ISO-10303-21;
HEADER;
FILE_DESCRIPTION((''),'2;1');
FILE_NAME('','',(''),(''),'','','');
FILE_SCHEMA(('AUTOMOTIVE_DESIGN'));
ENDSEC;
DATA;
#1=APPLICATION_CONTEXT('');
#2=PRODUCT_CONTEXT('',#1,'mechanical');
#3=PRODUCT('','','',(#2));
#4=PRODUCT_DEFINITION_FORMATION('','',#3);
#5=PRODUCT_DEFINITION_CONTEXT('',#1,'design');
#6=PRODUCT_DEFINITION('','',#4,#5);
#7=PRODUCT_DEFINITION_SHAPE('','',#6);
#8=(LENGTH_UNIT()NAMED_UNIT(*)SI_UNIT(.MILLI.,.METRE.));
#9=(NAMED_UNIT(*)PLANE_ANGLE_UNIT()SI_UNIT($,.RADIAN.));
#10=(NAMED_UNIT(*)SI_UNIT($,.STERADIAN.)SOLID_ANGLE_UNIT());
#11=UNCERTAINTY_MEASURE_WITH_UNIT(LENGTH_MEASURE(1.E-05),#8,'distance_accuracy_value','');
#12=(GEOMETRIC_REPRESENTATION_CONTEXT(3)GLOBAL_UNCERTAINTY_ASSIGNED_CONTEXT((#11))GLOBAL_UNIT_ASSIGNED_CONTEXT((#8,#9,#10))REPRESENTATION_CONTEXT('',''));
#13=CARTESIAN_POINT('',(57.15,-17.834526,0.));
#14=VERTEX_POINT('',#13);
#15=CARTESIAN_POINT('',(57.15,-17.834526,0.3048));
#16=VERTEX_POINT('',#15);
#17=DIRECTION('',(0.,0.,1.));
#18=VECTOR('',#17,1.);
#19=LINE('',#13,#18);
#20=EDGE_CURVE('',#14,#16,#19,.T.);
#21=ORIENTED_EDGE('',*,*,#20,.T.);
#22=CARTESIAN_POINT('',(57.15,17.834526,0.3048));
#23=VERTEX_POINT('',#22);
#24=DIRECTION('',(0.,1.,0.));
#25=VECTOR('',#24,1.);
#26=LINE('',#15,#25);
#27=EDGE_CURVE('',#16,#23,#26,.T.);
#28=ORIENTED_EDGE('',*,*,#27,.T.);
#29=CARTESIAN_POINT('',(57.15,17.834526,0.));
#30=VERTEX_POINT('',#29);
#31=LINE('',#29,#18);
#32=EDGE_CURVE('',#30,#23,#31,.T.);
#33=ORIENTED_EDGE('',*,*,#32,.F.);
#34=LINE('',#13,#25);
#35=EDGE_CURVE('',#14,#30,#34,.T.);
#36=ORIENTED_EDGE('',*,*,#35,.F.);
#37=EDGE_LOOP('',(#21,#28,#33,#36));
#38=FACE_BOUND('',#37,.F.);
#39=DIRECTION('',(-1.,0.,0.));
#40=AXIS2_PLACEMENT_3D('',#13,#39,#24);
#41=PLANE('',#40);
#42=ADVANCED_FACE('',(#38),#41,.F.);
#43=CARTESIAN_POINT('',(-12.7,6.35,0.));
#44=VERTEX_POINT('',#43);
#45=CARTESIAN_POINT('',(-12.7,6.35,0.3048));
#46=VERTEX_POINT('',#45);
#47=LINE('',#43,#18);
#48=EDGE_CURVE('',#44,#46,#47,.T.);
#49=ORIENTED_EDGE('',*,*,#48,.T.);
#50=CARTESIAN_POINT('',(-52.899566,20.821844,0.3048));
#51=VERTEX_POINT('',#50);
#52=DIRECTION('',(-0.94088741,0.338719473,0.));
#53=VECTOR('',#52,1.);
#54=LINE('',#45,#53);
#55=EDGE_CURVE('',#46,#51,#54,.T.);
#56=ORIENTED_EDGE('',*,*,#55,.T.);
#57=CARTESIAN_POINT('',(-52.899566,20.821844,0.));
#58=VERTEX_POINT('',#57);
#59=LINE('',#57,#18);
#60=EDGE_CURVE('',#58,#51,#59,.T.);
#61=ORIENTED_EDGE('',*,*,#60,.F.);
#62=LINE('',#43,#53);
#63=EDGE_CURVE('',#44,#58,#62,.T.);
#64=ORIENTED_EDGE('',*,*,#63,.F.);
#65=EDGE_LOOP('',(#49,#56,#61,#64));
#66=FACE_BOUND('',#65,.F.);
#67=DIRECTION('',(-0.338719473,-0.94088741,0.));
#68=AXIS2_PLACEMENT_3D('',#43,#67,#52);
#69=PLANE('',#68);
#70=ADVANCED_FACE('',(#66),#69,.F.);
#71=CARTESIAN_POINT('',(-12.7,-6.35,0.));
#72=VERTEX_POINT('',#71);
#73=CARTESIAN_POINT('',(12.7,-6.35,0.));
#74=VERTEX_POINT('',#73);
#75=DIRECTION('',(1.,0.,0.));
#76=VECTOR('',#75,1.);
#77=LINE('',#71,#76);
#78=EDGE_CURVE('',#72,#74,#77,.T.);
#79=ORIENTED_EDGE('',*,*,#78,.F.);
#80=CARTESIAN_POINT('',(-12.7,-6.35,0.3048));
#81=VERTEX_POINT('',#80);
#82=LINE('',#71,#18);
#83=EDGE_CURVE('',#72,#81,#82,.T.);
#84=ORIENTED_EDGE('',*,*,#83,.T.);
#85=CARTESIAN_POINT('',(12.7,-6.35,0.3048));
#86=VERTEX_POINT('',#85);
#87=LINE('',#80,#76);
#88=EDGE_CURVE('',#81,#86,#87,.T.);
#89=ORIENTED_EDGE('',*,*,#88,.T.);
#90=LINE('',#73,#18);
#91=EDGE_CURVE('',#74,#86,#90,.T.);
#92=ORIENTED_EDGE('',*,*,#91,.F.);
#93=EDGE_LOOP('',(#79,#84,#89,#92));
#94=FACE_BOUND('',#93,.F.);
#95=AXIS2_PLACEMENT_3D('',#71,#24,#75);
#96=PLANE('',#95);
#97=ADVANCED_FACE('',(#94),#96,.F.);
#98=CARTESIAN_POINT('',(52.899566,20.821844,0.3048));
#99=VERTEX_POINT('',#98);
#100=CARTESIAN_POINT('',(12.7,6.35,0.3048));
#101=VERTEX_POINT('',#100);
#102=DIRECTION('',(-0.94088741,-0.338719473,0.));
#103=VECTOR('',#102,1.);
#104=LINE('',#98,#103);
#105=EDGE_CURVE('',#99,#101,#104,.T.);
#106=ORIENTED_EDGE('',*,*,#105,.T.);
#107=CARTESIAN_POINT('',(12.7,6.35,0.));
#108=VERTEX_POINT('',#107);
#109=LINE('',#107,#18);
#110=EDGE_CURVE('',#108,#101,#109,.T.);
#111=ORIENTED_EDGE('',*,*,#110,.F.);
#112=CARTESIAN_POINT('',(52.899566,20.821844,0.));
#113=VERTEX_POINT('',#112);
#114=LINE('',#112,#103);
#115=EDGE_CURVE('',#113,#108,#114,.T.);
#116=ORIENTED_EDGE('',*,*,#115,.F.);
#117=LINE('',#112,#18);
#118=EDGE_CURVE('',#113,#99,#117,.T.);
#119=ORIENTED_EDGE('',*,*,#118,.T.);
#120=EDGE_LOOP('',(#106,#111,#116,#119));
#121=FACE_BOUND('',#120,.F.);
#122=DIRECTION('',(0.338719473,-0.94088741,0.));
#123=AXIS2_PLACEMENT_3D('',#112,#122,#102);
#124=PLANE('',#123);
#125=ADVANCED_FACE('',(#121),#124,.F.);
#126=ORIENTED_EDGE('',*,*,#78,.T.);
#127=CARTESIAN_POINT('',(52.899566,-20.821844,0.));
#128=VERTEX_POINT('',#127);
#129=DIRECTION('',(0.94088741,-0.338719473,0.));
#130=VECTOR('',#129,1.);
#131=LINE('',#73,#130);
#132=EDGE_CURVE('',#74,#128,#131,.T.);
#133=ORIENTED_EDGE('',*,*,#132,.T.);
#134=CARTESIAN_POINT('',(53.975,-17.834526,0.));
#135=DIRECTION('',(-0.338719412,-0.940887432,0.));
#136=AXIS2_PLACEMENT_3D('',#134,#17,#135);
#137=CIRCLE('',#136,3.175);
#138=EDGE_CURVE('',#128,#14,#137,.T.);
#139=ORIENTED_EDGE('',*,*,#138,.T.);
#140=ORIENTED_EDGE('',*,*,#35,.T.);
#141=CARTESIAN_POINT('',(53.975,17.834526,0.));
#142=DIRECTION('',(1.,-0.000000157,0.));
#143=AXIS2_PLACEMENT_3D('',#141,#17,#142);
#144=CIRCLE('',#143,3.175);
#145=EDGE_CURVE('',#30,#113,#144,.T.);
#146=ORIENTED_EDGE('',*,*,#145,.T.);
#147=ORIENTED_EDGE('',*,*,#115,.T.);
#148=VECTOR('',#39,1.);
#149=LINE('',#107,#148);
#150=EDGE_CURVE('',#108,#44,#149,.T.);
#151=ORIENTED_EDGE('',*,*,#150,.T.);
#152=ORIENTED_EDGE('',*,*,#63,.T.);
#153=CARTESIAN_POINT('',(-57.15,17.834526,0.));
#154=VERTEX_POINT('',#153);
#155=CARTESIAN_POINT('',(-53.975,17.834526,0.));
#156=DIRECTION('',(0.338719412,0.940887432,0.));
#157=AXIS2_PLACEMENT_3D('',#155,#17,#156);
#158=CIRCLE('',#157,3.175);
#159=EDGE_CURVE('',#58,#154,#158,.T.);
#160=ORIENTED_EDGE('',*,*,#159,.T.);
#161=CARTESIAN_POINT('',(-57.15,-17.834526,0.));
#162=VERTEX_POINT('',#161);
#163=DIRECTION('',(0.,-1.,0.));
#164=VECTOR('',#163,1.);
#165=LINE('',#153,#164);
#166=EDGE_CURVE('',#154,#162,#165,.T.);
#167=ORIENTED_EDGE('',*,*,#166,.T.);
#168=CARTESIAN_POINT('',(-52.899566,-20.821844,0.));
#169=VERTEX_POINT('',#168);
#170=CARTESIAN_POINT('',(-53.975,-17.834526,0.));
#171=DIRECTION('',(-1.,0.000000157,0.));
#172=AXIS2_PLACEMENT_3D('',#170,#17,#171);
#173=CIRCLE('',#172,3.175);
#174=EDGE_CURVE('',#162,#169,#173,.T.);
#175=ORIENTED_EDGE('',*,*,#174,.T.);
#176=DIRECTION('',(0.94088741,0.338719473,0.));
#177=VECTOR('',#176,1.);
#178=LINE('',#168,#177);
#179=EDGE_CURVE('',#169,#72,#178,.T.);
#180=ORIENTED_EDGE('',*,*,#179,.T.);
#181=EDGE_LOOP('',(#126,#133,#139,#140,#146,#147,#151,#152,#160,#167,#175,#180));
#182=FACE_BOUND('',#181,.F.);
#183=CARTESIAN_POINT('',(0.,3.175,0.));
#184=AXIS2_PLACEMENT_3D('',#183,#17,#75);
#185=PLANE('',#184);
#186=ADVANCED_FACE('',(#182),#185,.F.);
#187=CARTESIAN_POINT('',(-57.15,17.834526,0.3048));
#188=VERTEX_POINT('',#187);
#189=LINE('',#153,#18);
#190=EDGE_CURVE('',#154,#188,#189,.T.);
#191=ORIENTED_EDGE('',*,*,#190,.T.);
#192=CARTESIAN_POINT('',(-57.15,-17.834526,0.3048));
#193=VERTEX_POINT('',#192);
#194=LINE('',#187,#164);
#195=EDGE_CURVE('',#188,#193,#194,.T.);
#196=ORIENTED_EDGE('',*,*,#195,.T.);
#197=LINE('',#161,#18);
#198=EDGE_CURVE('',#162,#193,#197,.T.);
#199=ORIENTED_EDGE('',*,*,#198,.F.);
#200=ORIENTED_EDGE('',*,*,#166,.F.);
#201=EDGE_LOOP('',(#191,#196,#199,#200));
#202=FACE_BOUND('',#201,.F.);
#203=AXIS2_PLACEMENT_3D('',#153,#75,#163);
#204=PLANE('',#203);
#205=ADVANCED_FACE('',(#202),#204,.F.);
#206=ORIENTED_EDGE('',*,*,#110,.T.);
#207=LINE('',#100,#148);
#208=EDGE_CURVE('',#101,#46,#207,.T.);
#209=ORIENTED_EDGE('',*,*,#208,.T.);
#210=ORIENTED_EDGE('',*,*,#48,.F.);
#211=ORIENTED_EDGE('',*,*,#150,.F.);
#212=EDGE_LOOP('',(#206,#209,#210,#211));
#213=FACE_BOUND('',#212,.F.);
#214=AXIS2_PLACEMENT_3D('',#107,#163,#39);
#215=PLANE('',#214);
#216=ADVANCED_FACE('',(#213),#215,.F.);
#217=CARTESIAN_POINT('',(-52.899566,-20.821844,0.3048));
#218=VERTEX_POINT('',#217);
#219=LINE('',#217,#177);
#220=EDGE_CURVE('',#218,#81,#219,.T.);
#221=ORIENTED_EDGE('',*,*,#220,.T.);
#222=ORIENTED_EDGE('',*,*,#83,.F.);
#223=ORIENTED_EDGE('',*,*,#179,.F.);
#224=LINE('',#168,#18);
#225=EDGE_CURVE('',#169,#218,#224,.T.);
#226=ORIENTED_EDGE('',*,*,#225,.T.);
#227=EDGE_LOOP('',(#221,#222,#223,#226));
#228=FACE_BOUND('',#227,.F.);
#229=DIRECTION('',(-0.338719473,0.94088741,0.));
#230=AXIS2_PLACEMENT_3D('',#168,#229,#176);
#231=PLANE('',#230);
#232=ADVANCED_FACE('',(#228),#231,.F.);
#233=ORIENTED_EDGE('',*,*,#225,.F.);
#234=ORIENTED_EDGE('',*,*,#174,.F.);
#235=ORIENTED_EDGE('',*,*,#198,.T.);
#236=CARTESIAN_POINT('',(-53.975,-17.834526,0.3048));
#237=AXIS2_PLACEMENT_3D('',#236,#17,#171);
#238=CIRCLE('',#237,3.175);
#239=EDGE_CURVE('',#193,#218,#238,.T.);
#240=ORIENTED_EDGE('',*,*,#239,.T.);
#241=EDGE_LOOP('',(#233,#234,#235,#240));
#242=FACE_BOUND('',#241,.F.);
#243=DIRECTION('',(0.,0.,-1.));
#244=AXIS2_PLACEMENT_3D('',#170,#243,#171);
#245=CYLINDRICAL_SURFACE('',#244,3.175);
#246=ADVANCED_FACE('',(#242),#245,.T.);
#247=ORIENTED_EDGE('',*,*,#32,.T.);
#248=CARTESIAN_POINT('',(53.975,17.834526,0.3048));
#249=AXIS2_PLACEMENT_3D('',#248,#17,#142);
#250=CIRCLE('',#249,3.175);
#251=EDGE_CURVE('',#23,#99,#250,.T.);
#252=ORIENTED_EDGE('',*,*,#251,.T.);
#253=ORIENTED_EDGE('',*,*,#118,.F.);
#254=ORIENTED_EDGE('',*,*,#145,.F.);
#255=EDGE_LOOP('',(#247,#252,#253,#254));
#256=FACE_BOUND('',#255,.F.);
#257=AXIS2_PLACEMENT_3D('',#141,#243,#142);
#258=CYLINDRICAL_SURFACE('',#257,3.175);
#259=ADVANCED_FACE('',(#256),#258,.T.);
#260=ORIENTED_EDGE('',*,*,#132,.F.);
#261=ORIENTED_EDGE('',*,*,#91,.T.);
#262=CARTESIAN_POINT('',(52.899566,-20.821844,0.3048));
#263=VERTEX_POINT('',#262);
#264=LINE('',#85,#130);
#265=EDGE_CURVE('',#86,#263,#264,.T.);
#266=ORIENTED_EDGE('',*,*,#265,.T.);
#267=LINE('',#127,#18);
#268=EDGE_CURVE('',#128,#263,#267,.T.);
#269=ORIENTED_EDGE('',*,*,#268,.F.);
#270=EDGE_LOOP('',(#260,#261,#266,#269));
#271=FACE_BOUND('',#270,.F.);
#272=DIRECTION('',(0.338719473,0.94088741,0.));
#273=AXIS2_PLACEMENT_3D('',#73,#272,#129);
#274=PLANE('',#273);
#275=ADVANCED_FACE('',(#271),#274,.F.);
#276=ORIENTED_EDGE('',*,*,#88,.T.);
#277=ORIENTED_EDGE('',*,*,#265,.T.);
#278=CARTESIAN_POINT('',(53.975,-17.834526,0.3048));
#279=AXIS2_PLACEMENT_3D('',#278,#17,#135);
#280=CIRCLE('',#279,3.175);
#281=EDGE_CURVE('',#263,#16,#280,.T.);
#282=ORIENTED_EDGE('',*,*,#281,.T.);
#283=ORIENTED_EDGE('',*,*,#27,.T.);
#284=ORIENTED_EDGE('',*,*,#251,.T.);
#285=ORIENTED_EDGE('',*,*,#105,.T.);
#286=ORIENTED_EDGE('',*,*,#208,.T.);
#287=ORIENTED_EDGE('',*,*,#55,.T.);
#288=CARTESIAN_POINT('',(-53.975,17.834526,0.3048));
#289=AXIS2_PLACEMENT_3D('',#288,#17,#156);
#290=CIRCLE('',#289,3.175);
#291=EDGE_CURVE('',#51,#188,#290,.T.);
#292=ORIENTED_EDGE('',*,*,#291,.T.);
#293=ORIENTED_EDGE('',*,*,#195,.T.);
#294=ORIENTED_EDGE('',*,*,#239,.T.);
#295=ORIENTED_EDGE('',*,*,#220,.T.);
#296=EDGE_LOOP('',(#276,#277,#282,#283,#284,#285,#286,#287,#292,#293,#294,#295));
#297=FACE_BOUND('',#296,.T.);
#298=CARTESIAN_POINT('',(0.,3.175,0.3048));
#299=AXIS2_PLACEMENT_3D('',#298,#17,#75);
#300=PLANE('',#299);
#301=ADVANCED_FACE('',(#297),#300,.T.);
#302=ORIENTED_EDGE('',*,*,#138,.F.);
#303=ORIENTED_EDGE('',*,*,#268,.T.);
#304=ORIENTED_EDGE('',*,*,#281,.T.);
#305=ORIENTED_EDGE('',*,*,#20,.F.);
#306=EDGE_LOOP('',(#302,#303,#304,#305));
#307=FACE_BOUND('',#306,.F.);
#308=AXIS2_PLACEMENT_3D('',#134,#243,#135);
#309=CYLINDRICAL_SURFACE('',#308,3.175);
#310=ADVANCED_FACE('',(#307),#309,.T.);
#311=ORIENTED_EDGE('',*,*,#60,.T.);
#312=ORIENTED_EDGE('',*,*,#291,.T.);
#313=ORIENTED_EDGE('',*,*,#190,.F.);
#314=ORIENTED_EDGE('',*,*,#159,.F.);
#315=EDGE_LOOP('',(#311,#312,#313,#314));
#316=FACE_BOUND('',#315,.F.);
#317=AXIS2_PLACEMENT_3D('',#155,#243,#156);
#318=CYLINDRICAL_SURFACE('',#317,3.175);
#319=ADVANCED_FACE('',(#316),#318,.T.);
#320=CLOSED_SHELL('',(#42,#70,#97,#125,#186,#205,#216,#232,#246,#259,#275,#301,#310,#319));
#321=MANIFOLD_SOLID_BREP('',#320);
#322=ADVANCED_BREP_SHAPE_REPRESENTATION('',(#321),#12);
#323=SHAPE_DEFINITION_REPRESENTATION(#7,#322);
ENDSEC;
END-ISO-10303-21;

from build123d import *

# Parameters (mm, degrees)
F1_DEPTH = 0.3048


with BuildPart() as f1:
    # F0 (on Top) → F1 (new body)
    with BuildSketch(Plane.XY):
        Polygon((-12.7, 0), (0, 0), (12.7, 0), (12.7, 6.35), (-12.7, 6.35), align=None)
        Polygon((12.7, 0), (0, 0), (-12.7, 0), (-12.7, -6.35), (12.7, -6.35), align=None)
        with BuildLine():
            Line((12.7, 6.35), (12.7, 0))
            Line((12.7, 0), (57.15, 0))
            Line((57.15, 0), (57.15, 17.834526))
            ThreePointArc((57.15, 17.834526), (55.800667, 20.432134), (52.899566, 20.821844))
            Line((52.899566, 20.821844), (12.7, 6.35))
        make_face()
        with BuildLine():
            Line((57.15, 0), (12.7, 0))
            Line((12.7, 0), (12.7, -6.35))
            Line((12.7, -6.35), (52.899566, -20.821844))
            ThreePointArc((52.899566, -20.821844), (55.800667, -20.432134), (57.15, -17.834526))
            Line((57.15, -17.834526), (57.15, 0))
        make_face()
        with BuildLine():
            Line((-12.7, -6.35), (-12.7, 0))
            Line((-12.7, 0), (-57.15, 0))
            Line((-57.15, 0), (-57.15, -17.834526))
            ThreePointArc((-57.15, -17.834526), (-55.800667, -20.432134), (-52.899566, -20.821844))
            Line((-52.899566, -20.821844), (-12.7, -6.35))
        make_face()
        with BuildLine():
            Line((-57.15, 0), (-12.7, 0))
            Line((-12.7, 0), (-12.7, 6.35))
            Line((-12.7, 6.35), (-52.899566, 20.821844))
            ThreePointArc((-52.899566, 20.821844), (-55.800667, 20.432134), (-57.15, 17.834526))
            Line((-57.15, 17.834526), (-57.15, 0))
        make_face()
    extrude(amount=F1_DEPTH)


solid = f1.part
